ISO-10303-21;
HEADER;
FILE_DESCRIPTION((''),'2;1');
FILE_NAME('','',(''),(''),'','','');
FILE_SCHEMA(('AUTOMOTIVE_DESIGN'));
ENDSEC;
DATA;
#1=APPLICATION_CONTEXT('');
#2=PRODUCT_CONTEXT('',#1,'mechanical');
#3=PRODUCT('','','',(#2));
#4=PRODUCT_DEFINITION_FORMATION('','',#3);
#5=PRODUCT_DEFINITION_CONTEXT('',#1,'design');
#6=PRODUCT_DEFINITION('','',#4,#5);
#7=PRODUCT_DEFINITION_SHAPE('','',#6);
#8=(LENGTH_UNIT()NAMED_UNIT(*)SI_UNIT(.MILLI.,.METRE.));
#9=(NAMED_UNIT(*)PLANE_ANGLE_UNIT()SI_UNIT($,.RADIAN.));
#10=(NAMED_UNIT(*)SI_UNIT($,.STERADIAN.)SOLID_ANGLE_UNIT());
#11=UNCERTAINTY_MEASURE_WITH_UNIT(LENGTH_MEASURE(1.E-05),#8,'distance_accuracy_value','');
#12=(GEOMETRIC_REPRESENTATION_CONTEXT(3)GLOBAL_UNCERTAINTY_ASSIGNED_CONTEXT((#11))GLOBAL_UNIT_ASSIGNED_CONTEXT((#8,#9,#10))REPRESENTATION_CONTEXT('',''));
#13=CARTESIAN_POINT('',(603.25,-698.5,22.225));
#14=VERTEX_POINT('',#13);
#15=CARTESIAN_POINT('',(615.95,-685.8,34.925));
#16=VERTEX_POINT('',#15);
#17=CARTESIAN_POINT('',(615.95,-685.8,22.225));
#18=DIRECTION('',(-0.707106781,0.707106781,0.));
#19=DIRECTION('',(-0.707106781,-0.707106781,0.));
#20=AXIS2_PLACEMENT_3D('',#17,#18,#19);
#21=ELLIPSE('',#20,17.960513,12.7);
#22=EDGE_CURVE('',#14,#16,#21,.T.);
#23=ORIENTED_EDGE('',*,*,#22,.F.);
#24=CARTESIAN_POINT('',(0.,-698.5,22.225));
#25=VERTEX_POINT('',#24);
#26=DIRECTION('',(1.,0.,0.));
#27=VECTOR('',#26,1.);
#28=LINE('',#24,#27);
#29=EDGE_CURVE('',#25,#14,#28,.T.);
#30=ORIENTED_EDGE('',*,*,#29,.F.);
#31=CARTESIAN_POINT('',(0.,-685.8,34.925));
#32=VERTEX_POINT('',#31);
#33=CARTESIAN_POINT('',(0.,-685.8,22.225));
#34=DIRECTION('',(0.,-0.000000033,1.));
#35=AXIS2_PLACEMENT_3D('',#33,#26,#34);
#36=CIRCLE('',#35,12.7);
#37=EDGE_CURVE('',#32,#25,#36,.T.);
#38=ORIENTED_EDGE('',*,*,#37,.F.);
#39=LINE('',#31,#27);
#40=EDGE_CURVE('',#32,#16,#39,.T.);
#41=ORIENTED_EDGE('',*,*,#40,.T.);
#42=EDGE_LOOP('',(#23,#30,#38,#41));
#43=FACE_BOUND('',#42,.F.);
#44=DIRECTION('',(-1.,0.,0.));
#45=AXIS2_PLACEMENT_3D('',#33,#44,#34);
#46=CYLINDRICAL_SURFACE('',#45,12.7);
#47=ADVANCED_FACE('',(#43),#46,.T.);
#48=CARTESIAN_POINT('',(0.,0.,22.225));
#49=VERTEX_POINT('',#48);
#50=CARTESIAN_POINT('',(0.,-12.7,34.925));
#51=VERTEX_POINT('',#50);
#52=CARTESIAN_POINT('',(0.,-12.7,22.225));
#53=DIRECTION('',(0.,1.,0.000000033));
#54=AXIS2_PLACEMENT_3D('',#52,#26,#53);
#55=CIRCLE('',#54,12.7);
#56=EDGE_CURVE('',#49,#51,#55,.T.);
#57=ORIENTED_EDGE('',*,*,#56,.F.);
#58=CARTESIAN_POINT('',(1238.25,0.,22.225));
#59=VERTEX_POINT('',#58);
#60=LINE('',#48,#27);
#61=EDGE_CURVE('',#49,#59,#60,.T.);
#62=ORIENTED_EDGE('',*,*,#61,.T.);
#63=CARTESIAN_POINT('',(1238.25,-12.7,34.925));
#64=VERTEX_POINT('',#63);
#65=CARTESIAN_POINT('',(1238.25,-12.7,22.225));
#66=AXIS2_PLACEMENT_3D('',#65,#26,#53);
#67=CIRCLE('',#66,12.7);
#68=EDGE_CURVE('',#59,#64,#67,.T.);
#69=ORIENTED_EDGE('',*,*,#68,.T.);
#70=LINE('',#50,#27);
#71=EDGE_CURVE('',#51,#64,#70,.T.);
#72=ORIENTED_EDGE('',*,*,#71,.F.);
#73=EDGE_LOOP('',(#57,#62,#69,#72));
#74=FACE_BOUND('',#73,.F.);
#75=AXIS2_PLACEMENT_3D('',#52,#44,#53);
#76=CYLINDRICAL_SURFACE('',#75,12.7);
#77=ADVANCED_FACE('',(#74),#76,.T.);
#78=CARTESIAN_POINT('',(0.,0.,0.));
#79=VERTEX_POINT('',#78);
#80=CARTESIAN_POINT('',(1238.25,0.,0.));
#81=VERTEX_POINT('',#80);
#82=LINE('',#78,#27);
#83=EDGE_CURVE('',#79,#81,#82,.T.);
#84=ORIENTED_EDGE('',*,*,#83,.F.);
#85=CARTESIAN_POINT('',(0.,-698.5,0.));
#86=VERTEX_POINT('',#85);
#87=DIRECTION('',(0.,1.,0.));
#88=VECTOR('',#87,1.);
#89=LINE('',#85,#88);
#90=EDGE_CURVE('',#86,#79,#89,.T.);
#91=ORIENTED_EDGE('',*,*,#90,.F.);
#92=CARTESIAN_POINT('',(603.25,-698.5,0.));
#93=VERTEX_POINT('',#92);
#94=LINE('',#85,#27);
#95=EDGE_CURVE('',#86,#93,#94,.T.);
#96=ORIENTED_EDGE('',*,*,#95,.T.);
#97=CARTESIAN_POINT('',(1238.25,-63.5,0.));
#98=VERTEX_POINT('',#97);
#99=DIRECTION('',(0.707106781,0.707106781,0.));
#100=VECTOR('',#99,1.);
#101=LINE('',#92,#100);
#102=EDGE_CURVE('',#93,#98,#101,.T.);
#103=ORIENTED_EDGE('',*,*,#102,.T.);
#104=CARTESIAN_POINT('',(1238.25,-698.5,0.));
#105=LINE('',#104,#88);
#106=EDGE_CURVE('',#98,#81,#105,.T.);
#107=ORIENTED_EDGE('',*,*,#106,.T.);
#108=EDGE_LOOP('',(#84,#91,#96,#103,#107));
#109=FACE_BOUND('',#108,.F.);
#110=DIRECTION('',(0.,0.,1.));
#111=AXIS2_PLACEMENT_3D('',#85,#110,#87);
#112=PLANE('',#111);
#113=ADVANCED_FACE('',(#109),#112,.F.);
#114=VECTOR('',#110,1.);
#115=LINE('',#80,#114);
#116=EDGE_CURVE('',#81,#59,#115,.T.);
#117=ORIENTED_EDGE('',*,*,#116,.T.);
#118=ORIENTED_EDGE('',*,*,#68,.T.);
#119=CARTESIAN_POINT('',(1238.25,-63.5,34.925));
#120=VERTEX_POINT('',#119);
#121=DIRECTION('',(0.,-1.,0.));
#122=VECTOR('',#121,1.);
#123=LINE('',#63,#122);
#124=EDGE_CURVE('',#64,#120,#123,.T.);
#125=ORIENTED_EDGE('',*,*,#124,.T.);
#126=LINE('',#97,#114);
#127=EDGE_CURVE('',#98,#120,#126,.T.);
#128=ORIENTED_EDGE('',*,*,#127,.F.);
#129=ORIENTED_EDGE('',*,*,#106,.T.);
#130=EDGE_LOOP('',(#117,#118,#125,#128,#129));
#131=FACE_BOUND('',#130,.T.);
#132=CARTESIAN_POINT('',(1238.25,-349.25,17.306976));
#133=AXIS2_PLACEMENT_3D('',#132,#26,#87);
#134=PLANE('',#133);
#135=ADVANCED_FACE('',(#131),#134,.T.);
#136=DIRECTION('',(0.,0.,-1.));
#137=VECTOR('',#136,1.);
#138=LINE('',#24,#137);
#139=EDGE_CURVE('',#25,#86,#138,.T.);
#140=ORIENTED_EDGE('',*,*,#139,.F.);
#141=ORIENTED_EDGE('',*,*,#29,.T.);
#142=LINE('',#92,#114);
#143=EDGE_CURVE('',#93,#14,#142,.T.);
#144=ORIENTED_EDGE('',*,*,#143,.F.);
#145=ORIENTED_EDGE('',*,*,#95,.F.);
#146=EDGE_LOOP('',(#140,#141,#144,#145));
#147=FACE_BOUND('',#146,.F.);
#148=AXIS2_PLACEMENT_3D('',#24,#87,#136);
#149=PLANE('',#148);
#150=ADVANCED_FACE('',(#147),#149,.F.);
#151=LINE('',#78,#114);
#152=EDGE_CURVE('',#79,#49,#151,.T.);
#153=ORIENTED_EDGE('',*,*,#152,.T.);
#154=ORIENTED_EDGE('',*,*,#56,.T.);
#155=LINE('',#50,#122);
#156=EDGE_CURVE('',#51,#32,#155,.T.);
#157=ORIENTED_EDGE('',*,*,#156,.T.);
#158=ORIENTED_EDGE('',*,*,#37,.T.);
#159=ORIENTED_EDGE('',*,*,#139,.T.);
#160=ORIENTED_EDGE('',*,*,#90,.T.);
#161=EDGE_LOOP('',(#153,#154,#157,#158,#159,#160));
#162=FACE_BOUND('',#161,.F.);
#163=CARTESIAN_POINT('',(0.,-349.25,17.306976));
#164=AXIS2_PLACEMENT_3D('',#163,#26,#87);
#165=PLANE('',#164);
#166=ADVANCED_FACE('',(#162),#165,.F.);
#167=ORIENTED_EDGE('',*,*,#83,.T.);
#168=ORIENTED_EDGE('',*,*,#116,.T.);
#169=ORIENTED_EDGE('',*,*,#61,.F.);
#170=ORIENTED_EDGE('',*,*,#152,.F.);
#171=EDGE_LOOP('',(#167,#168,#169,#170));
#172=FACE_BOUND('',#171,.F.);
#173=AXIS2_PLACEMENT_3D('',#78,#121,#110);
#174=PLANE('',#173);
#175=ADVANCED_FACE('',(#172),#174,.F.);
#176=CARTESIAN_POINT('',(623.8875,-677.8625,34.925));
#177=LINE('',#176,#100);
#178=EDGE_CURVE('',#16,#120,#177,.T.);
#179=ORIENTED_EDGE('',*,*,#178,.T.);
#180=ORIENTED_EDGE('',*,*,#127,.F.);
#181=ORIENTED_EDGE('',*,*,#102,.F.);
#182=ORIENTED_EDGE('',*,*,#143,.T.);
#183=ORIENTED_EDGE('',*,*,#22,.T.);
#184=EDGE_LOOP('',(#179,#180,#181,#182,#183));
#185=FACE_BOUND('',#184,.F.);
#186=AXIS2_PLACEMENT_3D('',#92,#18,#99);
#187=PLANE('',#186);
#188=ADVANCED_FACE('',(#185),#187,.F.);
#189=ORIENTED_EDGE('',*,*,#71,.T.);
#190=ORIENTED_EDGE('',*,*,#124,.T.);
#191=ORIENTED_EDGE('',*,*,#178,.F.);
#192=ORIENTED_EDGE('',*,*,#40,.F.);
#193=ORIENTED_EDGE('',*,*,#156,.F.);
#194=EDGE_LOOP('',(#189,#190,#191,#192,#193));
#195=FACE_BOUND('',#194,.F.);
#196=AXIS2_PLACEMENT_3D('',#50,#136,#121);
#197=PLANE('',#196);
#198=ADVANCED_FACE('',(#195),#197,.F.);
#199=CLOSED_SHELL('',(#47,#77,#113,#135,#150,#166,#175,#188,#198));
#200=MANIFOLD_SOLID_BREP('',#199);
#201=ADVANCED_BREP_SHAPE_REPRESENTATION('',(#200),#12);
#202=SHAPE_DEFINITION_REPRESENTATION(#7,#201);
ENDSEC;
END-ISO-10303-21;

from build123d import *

# Parameters (mm, degrees)
F1_DEPTH = 1238.25
F3_DEPTH = 127


with BuildPart() as f1:
    # F0 (on Right) → F1 (new body)
    with BuildSketch(Plane.YZ):
        with BuildLine():
            Line((-698.5, 0), (0, 0))
            Line((0, 0), (0, 22.225))
            ThreePointArc((0, 22.225), (-3.719744, 31.205256), (-12.7, 34.925))
            Line((-12.7, 34.925), (-685.8, 34.925))
            ThreePointArc((-685.8, 34.925), (-694.780256, 31.205256), (-698.5, 22.225))
            Line((-698.5, 22.225), (-698.5, 0))
        make_face()
    extrude(amount=F1_DEPTH)

    # F2 (on face) → F3 (cut)
    with BuildSketch(Plane(origin=(0, 0, 0), x_dir=(1, 0, 0), z_dir=(0, 0, -1))):
        Polygon((603.25, 698.5), (1238.25, 63.5), (1238.25, 698.5), align=None)
    extrude(amount=-F3_DEPTH, mode=Mode.SUBTRACT)


solid = f1.part
